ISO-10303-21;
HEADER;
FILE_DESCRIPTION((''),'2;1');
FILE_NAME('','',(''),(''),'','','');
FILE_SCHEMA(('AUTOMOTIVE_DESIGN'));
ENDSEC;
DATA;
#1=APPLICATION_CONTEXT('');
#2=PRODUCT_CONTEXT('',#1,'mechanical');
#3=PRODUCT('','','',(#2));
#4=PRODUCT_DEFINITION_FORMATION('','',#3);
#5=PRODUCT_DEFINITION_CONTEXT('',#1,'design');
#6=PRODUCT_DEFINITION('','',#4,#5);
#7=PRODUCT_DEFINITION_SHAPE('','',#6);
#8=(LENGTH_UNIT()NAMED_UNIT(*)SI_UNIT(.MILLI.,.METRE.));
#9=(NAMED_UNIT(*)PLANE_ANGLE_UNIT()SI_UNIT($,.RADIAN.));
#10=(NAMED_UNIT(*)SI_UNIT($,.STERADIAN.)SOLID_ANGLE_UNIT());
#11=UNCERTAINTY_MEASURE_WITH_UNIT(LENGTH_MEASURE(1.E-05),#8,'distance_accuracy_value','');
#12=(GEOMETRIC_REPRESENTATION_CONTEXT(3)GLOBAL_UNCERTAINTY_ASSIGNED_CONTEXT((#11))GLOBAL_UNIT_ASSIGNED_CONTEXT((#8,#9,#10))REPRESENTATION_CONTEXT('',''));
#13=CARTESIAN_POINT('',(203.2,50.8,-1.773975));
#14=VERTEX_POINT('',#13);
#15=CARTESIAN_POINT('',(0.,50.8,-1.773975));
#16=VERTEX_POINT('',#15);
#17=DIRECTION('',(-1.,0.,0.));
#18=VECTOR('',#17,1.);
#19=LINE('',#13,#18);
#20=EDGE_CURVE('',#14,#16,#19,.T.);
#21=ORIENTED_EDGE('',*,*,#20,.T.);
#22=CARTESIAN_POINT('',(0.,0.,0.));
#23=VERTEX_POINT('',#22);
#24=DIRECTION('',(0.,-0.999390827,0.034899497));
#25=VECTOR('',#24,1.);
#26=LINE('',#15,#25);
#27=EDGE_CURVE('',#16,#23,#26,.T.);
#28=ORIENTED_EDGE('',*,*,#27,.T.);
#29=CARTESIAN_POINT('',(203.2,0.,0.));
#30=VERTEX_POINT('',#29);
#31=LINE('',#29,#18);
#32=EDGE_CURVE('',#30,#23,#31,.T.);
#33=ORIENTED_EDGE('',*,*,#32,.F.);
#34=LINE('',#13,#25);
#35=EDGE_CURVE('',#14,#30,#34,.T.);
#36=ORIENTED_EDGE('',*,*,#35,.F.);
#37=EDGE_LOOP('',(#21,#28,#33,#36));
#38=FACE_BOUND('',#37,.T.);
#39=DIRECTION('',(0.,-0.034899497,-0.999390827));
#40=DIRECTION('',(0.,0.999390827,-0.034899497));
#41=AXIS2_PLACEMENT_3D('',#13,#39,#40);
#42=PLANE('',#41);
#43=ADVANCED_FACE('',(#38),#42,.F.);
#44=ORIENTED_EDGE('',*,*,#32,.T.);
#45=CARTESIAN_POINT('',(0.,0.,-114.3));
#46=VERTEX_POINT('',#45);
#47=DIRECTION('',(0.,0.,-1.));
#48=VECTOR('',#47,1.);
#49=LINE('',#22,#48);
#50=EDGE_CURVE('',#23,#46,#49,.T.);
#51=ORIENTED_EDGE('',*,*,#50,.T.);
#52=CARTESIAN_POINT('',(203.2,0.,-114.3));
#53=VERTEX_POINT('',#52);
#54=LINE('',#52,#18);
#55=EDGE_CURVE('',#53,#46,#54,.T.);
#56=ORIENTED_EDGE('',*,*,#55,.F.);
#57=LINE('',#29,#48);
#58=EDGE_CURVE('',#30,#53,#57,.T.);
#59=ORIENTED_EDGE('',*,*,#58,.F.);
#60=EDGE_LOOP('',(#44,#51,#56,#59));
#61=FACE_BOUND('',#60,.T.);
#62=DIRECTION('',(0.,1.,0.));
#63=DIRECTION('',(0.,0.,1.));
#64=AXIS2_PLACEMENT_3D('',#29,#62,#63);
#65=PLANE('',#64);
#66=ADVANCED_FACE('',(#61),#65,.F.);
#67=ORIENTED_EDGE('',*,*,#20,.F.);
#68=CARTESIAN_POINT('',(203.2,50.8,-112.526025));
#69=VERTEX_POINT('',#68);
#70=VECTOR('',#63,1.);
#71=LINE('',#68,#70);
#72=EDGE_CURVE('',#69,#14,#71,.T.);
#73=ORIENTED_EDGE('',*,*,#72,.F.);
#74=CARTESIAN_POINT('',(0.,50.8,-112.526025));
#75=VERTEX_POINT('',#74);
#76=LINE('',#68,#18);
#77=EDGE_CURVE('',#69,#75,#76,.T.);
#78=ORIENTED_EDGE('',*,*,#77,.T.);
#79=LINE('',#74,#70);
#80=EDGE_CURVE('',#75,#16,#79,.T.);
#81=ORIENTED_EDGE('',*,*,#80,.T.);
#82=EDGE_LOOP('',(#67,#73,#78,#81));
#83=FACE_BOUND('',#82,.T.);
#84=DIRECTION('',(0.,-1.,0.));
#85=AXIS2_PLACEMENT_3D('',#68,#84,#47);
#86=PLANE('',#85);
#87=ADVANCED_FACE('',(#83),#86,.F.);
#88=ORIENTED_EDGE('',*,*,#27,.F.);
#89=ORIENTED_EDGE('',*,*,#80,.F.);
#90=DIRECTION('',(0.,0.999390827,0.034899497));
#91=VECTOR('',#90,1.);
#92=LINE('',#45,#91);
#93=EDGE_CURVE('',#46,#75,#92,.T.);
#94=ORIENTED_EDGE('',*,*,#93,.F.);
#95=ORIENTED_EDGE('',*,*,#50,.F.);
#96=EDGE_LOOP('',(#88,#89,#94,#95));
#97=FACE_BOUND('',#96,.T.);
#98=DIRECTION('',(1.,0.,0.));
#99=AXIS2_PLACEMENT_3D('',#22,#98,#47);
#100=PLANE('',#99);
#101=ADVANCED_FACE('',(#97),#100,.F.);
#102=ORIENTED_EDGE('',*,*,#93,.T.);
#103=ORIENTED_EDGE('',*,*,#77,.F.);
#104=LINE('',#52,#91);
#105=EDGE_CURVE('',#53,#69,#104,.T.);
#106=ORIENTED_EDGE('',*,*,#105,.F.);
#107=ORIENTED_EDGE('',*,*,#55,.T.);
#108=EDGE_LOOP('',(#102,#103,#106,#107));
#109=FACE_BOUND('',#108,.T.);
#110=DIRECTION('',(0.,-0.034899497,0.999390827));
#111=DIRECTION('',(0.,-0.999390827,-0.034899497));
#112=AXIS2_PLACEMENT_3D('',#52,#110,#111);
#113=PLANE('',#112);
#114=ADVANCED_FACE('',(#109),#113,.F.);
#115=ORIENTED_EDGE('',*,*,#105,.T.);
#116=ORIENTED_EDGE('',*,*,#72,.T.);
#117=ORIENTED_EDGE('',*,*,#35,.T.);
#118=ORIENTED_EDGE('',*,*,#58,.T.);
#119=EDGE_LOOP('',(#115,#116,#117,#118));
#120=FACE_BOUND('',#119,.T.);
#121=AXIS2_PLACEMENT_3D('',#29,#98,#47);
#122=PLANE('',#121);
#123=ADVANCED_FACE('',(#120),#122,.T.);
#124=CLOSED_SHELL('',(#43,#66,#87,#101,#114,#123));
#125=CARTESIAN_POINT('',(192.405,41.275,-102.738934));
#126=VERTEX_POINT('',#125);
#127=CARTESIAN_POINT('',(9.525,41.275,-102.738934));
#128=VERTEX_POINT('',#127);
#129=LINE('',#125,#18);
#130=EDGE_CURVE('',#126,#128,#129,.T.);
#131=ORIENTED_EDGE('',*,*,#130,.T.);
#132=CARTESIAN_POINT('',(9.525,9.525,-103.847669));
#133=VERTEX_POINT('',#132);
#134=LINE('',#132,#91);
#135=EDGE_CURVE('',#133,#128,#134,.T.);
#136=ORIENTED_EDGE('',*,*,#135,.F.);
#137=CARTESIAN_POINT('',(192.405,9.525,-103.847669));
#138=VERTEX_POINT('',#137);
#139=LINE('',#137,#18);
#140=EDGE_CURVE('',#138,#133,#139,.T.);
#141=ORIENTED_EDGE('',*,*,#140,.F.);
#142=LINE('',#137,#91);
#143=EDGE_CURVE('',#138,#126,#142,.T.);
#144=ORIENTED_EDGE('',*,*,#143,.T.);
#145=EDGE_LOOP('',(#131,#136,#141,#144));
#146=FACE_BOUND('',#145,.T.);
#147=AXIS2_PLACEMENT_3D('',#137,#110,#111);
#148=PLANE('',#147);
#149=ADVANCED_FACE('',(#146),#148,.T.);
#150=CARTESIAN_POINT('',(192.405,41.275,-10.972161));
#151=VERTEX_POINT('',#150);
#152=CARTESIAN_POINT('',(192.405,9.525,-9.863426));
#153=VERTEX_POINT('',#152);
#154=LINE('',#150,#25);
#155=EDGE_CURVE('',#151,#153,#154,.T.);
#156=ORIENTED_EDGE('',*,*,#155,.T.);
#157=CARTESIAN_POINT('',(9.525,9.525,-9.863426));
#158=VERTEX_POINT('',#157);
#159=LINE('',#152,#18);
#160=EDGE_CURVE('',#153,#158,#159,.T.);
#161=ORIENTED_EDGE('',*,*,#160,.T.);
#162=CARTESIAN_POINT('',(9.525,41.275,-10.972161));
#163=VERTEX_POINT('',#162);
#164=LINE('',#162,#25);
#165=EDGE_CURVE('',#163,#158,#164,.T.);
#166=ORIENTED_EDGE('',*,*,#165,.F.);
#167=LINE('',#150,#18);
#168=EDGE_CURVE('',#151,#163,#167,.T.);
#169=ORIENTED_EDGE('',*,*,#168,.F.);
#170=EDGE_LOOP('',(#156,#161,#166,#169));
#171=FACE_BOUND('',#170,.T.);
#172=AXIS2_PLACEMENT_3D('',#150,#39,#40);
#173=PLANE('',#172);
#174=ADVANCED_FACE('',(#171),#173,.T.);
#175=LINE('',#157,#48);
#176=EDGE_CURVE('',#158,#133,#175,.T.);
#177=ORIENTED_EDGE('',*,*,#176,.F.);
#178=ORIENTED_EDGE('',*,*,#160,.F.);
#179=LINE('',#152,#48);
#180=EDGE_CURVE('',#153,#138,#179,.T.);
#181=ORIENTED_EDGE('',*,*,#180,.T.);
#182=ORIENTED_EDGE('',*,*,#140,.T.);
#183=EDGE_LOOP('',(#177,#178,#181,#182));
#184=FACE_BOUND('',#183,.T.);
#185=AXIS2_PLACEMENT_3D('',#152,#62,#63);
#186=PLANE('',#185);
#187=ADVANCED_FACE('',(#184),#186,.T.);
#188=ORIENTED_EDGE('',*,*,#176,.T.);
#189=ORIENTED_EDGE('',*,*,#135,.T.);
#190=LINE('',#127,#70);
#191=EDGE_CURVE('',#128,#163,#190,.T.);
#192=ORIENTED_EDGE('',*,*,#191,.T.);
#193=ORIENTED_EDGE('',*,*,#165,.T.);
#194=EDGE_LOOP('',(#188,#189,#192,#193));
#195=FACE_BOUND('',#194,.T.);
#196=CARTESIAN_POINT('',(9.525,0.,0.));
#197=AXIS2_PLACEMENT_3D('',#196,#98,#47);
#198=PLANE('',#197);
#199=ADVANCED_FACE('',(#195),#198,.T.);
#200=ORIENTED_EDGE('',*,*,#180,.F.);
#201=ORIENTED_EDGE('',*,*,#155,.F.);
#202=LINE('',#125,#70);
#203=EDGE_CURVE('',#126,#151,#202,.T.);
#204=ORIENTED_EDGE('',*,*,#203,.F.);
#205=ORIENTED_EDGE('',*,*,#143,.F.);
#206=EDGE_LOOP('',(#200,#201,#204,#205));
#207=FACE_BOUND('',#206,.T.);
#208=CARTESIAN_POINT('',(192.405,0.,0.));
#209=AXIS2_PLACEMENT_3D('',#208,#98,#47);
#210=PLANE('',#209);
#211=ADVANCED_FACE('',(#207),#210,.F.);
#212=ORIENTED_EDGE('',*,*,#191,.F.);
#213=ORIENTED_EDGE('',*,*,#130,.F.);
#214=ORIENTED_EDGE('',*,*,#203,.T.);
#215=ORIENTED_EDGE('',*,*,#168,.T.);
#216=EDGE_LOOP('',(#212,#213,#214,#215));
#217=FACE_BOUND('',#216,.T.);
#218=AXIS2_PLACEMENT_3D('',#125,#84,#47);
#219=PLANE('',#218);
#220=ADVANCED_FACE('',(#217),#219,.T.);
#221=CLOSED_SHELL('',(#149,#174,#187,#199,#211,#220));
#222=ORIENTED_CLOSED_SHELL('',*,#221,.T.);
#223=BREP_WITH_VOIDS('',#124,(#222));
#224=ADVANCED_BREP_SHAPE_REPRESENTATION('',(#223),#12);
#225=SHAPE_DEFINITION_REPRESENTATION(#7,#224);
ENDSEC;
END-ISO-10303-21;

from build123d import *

# Parameters (mm, degrees)
BOSS_EXTRUDE5_DEPTH = 203.2
CUT_EXTRUDE3_START  = 9.525
CUT_EXTRUDE3_DEPTH  = 182.88


with BuildPart() as part:
    # Sketch6 → Boss-Extrude5 (new body)
    with BuildSketch(Plane(origin=(0, 0, 0), x_dir=(0, 0, -1), z_dir=(1, 0, 0))):
        Polygon((0, 0), (114.3, 0), (112.52602491, 50.8), (1.77397509, 50.8), align=None)
    extrude(amount=BOSS_EXTRUDE5_DEPTH)

    # Sketch9 → Cut-Extrude3 (cut)
    with BuildSketch(Plane(origin=(0, 0, 0), x_dir=(0, 0, -1), z_dir=(1, 0, 0)).offset(CUT_EXTRUDE3_START)):
        Polygon((103.847668826, 9.525), (102.738934394, 41.275), (10.97216067, 41.275), (9.863426239, 9.525), align=None)
    extrude(amount=CUT_EXTRUDE3_DEPTH, mode=Mode.SUBTRACT)


solid = part.part
